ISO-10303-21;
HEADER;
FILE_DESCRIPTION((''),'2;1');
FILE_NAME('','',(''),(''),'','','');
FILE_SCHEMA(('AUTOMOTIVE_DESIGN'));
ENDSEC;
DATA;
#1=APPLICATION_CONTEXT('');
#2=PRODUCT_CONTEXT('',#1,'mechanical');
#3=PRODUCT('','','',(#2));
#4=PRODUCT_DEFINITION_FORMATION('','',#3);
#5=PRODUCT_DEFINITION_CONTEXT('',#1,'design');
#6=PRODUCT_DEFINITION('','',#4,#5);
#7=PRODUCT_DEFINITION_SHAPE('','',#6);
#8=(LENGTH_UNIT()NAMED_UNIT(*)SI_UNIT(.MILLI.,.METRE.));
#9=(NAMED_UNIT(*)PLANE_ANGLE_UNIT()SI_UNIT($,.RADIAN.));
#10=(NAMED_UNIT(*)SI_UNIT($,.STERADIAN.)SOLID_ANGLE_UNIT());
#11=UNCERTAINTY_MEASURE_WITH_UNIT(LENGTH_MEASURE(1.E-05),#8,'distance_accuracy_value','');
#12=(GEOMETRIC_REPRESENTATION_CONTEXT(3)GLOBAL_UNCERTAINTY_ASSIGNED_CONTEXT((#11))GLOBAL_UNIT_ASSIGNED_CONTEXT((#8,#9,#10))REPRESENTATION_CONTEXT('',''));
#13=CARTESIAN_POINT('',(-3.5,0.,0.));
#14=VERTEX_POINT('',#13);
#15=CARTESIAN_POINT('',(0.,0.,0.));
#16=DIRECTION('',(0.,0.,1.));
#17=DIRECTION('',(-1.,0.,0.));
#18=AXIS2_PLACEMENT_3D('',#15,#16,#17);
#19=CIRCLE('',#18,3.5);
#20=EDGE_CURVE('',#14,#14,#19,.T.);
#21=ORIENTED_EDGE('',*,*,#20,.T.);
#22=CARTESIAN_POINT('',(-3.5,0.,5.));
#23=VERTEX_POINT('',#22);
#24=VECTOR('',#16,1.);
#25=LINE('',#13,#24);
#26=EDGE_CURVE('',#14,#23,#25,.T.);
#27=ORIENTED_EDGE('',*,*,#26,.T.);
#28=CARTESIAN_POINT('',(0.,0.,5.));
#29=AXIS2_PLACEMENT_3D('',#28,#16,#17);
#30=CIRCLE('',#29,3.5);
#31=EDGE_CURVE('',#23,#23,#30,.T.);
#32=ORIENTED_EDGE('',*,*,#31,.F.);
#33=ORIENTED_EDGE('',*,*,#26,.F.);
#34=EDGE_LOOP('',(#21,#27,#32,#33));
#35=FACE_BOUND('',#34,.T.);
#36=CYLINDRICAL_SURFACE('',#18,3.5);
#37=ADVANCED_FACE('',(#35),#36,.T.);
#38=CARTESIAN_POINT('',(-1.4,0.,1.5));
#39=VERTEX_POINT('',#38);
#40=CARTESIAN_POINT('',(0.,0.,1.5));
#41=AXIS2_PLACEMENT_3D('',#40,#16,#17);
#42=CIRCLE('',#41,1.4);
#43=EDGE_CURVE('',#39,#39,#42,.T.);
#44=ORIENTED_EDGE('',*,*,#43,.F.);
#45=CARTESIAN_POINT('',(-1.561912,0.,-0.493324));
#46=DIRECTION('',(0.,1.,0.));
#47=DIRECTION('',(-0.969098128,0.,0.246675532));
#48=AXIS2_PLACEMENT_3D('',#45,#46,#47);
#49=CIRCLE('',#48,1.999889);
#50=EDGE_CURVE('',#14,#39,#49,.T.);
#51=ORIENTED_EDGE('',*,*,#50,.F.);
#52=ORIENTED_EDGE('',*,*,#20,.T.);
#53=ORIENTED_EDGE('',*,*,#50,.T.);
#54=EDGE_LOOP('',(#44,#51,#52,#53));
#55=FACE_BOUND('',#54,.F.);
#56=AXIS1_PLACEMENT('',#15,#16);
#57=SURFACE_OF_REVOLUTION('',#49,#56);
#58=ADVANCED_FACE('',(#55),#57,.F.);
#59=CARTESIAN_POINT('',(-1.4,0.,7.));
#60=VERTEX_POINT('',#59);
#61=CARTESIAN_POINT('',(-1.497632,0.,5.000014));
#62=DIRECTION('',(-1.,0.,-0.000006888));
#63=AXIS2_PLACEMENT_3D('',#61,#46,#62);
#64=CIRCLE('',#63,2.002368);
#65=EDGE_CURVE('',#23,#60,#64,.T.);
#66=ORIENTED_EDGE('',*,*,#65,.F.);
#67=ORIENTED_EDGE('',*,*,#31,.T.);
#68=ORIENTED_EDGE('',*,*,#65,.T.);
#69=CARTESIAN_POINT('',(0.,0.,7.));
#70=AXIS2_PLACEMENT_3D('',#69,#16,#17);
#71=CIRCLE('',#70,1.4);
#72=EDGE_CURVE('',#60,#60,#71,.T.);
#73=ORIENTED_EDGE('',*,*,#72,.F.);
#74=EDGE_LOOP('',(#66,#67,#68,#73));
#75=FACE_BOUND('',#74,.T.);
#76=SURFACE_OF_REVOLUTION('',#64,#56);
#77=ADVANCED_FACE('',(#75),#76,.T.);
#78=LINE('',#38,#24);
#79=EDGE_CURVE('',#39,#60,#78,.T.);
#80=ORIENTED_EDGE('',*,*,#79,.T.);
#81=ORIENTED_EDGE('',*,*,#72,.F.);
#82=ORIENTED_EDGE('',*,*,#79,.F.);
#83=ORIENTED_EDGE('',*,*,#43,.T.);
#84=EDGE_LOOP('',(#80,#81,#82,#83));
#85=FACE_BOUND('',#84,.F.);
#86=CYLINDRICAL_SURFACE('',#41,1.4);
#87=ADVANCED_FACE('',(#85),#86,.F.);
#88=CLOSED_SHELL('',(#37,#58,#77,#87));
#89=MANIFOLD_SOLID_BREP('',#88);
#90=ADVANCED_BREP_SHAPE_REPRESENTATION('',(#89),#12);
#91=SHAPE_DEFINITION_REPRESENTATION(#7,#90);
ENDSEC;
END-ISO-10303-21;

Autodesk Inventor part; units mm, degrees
ref_plane "YZ Plane" through (0, 0, 0) normal (1, 0, 0) x (0, 1, 0)
ref_plane "XZ Plane" through (0, 0, 0) normal (0, 1, 0) x (-1, 0, 0)
ref_plane "XY Plane" through (0, 0, 0) normal (0, 0, 1) x (1, 0, 0)
sketch "Sketch1" plane through (0, 0, 0) normal (0, 1, 0) x (-1, 0, 0)
  line L0 (3.5, 0) -> (3.5, 5)
  line L1 (1.4, 1.5) -> (1.4, 7)
  arc A0 (3.5, 5) -> (1.4, 7) centre (1.4976, 5) ccw
  arc A1 (3.5, 0) -> (1.4, 1.5) centre (1.5618, -0.4934) ccw
  line L2 (0, 0) -> (0, 8.4077)
  dimension "d0" = 2.8
  dimension "d1" = 7
  dimension "d2" = 7
  dimension "d3" = 5
  dimension "d4" = 5.5
  dimension "d5" = 2
revolve "Revolution1" add sketch "Sketch1" angle 360 about axis through (0, 0, 0) along (0, 0, 1)
properties part number "Ceramic-scaler-7x2.8x7"
